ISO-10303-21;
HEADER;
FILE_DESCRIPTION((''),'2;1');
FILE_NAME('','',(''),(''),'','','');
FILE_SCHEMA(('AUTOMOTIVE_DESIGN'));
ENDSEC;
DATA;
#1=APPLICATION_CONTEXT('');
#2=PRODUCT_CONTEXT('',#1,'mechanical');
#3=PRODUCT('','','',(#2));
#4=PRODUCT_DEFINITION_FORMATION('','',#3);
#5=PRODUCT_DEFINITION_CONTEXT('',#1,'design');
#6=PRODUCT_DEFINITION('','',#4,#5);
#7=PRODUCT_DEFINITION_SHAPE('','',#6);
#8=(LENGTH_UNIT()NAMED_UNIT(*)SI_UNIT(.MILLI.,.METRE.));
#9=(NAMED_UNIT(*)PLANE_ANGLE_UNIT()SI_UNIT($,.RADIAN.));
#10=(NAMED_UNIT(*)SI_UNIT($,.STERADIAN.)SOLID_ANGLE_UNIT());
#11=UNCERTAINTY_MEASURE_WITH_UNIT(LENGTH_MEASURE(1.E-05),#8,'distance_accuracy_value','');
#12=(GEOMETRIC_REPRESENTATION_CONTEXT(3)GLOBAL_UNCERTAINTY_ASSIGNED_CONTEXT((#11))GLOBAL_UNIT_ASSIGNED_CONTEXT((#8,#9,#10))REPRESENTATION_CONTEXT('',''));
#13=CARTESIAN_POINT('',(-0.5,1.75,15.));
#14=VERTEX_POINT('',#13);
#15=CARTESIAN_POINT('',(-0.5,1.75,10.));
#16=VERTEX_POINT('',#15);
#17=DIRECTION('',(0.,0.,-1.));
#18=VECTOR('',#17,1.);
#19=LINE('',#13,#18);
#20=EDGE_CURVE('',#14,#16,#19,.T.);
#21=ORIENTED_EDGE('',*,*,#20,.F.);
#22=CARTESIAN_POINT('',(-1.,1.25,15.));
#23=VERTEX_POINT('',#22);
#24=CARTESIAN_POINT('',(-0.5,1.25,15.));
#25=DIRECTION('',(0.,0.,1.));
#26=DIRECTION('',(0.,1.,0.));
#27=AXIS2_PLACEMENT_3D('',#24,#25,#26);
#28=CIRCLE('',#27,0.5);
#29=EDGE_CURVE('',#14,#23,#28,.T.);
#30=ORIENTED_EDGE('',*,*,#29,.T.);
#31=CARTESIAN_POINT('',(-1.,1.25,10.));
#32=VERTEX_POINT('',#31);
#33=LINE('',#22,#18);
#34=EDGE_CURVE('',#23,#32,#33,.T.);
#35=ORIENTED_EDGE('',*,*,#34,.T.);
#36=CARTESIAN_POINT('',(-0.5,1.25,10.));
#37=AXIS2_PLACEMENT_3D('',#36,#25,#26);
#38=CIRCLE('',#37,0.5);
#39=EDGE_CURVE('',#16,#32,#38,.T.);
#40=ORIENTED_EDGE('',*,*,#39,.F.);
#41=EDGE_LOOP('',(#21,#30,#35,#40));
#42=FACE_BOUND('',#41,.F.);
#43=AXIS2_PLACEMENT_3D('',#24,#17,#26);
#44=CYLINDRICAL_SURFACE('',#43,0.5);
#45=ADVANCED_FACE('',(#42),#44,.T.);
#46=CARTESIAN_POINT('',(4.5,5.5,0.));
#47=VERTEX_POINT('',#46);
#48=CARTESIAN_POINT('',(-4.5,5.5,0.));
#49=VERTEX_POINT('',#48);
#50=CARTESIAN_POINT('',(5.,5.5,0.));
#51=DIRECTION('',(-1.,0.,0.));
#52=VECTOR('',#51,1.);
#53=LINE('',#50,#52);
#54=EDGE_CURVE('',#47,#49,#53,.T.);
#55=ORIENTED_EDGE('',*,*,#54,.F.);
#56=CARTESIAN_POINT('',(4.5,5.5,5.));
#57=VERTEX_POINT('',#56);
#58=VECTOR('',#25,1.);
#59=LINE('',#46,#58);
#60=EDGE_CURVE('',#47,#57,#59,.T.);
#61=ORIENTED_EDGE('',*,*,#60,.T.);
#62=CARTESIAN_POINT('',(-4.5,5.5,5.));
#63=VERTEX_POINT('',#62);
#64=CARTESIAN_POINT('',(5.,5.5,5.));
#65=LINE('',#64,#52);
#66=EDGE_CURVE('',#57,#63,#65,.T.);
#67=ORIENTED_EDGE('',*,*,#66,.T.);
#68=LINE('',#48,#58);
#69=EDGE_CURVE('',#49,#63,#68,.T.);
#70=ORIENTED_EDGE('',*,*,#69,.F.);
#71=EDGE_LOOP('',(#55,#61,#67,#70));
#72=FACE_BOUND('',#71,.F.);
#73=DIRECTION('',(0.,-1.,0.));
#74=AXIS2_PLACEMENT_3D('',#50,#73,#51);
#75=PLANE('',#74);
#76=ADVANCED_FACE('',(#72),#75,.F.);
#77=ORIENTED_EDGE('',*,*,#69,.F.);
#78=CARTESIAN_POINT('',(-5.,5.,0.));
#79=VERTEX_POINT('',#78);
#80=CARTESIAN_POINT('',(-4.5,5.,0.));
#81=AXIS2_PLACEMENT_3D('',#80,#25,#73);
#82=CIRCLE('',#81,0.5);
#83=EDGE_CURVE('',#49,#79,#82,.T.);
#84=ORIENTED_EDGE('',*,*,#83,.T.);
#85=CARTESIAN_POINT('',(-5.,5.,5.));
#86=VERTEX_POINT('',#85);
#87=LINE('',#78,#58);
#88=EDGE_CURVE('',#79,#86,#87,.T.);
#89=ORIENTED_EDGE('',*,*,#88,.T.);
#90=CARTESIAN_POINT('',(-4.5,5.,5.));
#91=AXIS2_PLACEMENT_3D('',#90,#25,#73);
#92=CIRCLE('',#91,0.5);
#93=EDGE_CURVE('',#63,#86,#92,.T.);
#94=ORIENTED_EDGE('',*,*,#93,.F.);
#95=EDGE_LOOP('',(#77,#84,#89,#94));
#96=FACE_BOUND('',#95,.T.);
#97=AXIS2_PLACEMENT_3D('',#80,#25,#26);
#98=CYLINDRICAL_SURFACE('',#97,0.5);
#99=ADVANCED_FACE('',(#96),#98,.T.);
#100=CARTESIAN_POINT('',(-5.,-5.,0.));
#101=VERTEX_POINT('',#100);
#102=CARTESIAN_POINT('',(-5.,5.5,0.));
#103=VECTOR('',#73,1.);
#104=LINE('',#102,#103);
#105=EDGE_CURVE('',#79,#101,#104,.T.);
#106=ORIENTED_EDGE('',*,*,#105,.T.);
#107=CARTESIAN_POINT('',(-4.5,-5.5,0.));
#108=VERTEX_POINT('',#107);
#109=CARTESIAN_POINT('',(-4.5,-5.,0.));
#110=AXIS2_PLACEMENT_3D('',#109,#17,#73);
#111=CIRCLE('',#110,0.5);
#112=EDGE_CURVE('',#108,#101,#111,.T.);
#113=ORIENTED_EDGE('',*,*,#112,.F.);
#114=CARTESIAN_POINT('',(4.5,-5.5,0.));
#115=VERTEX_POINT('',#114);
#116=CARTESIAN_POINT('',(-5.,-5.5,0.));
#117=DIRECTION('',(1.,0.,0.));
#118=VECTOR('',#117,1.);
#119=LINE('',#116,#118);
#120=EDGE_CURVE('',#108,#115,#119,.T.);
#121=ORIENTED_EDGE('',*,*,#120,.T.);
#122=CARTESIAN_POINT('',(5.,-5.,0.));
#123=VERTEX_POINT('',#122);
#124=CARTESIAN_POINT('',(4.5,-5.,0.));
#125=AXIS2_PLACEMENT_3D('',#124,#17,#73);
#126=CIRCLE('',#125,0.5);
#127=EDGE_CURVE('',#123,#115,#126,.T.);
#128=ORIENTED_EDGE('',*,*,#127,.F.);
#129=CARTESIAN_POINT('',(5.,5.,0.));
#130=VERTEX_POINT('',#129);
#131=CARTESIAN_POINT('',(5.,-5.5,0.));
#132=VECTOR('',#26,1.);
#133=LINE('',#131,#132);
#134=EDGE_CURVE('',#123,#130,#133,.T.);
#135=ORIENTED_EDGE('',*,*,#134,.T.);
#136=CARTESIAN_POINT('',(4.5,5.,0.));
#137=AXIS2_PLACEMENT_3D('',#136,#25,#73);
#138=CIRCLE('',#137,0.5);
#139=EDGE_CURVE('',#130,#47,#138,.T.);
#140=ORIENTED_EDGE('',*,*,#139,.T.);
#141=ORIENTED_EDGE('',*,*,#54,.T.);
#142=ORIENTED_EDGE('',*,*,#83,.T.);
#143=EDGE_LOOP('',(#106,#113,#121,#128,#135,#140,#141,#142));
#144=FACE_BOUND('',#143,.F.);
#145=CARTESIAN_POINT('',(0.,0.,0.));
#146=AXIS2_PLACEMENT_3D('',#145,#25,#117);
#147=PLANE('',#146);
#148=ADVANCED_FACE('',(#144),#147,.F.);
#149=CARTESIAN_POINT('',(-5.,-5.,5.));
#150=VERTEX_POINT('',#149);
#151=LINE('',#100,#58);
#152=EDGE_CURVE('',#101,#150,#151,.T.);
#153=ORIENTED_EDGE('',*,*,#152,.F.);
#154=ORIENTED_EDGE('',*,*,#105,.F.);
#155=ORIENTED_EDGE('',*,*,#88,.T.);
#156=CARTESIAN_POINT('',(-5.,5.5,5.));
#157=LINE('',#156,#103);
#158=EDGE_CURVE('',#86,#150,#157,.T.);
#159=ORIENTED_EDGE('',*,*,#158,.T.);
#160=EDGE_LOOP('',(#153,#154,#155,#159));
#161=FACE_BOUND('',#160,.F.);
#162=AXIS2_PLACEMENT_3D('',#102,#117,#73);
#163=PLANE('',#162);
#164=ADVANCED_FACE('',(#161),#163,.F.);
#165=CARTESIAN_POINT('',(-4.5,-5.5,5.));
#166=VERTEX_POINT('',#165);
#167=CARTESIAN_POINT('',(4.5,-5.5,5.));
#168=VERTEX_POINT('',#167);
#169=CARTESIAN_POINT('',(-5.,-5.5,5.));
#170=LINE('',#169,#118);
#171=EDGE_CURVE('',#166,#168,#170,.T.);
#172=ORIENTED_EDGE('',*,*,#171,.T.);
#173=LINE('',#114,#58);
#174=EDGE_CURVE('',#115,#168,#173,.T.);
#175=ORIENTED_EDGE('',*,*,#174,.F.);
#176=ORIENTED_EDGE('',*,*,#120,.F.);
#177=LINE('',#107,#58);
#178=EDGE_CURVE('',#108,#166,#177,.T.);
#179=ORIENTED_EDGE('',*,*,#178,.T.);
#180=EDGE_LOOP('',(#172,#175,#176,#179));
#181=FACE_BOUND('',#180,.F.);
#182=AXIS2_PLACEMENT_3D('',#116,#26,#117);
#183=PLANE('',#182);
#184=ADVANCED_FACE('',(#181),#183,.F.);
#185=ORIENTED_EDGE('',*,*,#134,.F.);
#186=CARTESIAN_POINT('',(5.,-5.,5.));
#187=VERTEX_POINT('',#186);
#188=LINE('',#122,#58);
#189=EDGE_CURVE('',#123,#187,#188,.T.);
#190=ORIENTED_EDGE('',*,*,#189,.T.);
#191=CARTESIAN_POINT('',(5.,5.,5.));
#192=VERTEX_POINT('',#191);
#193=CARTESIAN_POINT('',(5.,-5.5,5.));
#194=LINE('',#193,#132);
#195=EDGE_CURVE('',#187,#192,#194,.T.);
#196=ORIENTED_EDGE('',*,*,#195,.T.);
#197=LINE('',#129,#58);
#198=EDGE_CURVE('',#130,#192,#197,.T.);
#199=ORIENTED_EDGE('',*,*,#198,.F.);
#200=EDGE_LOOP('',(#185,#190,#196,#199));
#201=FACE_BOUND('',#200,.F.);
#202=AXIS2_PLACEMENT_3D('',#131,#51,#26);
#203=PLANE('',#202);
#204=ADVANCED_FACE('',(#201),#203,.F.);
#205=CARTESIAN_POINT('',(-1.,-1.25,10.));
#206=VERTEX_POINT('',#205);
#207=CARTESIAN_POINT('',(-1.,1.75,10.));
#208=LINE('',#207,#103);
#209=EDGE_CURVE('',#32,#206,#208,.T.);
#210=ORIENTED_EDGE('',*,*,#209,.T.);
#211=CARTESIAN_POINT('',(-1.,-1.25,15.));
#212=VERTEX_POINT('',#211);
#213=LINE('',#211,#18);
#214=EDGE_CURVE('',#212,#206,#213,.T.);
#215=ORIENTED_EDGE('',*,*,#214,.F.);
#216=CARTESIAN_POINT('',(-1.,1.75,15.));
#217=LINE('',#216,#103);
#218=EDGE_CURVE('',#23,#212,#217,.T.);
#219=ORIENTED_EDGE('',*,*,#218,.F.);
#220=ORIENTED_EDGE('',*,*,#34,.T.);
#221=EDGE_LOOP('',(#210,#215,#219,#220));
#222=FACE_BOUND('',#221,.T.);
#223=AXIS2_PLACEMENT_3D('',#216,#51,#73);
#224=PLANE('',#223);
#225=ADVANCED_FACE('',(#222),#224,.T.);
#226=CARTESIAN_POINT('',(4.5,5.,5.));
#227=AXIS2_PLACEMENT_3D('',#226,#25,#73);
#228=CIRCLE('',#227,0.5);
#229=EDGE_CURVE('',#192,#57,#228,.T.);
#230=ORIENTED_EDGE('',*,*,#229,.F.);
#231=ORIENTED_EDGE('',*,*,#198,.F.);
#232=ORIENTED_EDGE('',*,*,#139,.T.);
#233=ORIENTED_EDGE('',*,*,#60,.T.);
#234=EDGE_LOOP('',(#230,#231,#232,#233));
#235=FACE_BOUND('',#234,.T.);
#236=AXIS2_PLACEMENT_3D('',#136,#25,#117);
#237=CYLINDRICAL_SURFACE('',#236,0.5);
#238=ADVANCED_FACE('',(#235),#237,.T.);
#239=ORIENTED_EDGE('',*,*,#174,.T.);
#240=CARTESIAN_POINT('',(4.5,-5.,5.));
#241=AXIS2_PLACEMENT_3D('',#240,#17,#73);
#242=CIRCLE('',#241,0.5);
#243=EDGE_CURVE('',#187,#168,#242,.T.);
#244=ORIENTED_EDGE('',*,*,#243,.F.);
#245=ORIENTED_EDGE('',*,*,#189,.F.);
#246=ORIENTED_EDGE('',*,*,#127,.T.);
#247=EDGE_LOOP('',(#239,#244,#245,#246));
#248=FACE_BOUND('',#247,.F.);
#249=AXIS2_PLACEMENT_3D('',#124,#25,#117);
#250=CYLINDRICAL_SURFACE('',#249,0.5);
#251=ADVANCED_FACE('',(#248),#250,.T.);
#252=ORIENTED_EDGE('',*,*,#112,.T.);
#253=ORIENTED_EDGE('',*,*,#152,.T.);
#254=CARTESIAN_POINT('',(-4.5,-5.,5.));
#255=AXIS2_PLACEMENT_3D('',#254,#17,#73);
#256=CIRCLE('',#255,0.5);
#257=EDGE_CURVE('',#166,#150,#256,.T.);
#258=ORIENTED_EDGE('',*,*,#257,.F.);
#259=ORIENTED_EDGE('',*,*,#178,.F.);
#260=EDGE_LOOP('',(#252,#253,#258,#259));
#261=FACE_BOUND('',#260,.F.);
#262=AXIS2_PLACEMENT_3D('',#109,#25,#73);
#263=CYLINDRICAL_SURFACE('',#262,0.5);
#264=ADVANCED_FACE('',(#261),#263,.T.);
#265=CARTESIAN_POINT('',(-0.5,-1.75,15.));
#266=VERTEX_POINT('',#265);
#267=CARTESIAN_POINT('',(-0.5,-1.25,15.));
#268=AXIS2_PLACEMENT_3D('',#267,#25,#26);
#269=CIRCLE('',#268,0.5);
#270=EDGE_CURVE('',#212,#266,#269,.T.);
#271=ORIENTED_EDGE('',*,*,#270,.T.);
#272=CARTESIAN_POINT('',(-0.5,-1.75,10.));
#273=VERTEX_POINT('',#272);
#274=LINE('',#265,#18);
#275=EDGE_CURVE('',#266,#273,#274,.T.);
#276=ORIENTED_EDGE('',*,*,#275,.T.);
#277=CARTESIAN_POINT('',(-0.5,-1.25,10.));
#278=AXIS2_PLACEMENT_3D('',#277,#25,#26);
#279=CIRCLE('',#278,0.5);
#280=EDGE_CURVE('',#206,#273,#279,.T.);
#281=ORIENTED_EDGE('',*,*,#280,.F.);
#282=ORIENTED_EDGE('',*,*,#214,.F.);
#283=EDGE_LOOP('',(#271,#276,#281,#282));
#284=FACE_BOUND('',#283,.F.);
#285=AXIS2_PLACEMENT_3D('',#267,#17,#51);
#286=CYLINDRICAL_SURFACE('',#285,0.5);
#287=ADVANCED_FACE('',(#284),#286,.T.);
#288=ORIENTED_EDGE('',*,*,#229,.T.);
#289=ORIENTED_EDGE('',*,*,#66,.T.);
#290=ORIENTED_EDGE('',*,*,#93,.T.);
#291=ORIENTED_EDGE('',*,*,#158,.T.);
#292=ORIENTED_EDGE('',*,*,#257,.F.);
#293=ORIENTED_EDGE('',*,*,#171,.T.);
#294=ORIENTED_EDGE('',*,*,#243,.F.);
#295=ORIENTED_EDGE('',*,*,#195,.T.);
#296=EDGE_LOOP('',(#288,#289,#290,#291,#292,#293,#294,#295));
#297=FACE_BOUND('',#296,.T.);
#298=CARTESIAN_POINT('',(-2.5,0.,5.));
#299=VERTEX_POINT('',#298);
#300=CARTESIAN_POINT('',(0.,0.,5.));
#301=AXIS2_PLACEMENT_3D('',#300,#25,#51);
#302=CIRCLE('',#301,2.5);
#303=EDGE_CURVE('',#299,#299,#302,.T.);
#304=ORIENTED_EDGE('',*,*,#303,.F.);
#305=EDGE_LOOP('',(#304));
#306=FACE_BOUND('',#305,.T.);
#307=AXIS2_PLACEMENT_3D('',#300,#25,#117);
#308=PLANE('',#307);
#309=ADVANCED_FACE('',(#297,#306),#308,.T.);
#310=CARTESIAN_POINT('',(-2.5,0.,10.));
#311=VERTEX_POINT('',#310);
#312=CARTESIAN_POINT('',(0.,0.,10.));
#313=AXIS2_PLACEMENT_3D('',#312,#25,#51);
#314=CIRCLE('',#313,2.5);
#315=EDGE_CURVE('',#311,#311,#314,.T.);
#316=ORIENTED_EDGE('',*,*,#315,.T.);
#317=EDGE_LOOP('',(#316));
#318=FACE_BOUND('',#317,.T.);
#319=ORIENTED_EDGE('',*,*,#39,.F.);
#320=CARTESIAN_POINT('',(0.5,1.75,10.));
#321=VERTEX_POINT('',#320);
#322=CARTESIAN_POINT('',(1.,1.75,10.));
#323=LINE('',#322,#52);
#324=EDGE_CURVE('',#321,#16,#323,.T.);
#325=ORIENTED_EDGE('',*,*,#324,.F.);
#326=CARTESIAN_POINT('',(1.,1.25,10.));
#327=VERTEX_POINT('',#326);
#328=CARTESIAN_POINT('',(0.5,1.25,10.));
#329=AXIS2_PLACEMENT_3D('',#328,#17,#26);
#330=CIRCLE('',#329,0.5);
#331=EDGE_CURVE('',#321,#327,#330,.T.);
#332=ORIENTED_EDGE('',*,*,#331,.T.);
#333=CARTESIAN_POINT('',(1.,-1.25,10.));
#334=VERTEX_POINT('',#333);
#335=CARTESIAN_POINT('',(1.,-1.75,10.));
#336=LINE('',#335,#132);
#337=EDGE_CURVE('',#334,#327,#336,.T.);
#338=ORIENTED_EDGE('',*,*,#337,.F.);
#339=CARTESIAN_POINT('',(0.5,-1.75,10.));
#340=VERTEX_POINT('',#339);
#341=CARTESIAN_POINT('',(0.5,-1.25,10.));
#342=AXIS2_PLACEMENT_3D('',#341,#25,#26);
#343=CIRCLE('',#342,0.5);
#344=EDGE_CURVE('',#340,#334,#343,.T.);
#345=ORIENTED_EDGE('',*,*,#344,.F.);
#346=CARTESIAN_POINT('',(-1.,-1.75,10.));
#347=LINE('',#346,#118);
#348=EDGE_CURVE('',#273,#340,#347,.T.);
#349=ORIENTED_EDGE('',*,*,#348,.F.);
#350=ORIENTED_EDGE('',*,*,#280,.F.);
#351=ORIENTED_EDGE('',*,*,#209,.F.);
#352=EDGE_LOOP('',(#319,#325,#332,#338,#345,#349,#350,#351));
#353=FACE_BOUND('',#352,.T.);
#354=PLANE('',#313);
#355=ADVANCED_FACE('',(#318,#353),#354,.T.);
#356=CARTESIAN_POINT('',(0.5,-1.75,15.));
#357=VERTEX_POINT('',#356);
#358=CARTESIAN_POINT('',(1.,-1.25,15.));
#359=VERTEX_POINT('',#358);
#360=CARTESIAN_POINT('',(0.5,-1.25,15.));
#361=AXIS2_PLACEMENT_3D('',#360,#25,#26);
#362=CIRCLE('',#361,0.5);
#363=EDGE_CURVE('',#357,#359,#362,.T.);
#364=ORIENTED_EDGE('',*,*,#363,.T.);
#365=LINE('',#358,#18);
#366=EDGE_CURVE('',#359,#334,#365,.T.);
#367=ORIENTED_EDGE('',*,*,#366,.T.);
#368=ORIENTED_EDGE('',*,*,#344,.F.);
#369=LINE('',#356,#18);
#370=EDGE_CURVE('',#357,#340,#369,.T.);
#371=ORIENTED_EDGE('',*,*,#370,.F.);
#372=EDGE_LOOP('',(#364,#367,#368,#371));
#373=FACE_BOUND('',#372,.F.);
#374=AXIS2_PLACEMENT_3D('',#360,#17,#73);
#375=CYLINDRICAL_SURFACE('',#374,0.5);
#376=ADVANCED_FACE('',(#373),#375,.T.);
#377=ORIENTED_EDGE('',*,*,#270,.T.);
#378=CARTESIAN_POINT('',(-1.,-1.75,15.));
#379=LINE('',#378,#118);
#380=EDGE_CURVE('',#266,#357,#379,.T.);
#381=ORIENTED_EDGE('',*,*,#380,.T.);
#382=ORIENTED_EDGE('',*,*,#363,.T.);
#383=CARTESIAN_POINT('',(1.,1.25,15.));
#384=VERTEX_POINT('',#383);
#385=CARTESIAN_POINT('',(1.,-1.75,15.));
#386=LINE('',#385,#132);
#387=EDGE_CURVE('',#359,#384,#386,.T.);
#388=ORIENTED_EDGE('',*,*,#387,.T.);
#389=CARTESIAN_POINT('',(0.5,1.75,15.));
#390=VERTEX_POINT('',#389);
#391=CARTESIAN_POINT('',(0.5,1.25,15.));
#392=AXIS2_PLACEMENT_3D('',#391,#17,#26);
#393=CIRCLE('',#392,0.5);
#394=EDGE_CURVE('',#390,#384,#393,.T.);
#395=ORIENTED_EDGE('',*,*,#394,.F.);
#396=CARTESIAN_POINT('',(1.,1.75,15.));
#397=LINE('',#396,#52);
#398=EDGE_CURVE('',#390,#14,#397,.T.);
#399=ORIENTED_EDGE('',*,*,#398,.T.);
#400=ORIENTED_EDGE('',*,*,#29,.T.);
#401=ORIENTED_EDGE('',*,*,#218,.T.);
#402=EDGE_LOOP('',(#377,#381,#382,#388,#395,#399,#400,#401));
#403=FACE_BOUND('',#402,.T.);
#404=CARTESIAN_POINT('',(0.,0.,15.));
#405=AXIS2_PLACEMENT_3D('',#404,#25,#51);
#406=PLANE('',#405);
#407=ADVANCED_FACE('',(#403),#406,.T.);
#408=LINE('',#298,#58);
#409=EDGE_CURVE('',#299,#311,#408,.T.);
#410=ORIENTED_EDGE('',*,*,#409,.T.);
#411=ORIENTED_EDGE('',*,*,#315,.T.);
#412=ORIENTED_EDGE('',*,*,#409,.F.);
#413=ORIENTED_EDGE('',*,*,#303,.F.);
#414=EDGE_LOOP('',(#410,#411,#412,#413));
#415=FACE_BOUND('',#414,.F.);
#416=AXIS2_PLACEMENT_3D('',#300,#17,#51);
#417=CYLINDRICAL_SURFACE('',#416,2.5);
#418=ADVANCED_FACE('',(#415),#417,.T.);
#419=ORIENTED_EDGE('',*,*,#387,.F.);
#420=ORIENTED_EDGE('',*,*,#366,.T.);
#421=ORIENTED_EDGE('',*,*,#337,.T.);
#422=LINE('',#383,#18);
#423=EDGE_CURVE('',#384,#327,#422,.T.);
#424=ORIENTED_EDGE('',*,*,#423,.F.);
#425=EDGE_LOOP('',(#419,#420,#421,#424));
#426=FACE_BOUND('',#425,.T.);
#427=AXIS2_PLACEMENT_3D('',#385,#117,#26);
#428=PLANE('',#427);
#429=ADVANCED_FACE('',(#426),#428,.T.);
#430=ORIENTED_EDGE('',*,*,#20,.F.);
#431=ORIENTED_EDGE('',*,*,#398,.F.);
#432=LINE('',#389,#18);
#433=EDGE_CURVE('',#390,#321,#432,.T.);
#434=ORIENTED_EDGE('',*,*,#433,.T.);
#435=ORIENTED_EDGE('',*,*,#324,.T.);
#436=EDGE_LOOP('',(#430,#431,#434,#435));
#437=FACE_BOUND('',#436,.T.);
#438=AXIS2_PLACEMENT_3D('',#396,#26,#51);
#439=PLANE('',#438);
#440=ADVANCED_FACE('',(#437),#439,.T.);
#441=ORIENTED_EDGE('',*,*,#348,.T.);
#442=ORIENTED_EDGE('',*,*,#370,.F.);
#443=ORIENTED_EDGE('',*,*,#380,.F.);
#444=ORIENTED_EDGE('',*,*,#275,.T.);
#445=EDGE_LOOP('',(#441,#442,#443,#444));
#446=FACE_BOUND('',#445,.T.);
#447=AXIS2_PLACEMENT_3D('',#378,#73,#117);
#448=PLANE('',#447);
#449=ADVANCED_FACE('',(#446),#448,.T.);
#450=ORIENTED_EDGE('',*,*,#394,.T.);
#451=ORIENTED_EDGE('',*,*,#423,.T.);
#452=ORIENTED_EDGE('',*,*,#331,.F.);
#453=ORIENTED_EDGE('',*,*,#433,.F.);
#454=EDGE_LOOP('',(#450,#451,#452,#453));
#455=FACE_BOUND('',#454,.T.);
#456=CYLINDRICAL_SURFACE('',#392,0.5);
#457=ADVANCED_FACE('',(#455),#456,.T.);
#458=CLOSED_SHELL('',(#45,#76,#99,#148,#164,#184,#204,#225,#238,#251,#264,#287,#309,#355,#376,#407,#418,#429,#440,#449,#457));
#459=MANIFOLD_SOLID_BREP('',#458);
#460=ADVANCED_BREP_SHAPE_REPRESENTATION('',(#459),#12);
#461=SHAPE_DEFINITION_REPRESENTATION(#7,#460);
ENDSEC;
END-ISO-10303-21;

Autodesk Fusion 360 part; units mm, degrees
sketch "Sketch1" plane through (0, 0, 0) normal (0, 0, 1) x (1, 0, 0)
  line L0 (5, 5.5) -> (-5, 5.5)
  line L1 (-5, 5.5) -> (-5, -5.5)
  line L2 (-5, -5.5) -> (5, -5.5)
  line L3 (5, -5.5) -> (5, 5.5)
  line L4 (5, 5.5) -> (-5, -5.5) construction
  line L5 (-5, 5.5) -> (5, -5.5) construction
  dimension "d1" = 10
  dimension "d2" = 11
extrude "Extrude1" add sketch "Sketch1" along normal blind 5
sketch "Sketch2" plane through (0, 0, 5) normal (0, 0, 1) x (-1, 0, 0)
  line L0 (-5, 5.5) -> (-5, -5.5)
  line L1 (-5, -5.5) -> (5, -5.5)
  line L2 (5, -5.5) -> (5, 5.5)
  line L3 (5, 5.5) -> (-5, 5.5)
  circle A0 centre (0, 0) radius 2.5
  dimension "d5" = 5
extrude "Extrude2" add sketch "Sketch2" along normal blind 10 contours A0
sketch "Sketch3" plane through (0, 0, 15) normal (0, 0, 1) x (-1, 0, 0)
  circle A0 centre (0, 0) radius 2.5
  line L0 (-1, -1.75) -> (1, -1.75)
  line L1 (1, -1.75) -> (1, 1.75)
  line L2 (1, 1.75) -> (-1, 1.75)
  line L3 (-1, 1.75) -> (-1, -1.75)
  line L4 (-1, -1.75) -> (1, 1.75) construction
  line L5 (1, -1.75) -> (-1, 1.75) construction
  dimension "d8" = 2
  dimension "d9" = 3.5
extrude "Extrude3" cut sketch "Sketch3" against normal blind 5
fillet "Fillet1" radius 0.5 4 edges at (-1, -1.75, 12.5) (1, -1.75, 12.5) (-1, 1.75, 12.5) (1, 1.75, 12.5)
fillet "Fillet2" radius 0.5 4 edges at (-5, 5.5, 2.5) (5, 5.5, 2.5) (-5, -5.5, 2.5) (5, -5.5, 2.5)
